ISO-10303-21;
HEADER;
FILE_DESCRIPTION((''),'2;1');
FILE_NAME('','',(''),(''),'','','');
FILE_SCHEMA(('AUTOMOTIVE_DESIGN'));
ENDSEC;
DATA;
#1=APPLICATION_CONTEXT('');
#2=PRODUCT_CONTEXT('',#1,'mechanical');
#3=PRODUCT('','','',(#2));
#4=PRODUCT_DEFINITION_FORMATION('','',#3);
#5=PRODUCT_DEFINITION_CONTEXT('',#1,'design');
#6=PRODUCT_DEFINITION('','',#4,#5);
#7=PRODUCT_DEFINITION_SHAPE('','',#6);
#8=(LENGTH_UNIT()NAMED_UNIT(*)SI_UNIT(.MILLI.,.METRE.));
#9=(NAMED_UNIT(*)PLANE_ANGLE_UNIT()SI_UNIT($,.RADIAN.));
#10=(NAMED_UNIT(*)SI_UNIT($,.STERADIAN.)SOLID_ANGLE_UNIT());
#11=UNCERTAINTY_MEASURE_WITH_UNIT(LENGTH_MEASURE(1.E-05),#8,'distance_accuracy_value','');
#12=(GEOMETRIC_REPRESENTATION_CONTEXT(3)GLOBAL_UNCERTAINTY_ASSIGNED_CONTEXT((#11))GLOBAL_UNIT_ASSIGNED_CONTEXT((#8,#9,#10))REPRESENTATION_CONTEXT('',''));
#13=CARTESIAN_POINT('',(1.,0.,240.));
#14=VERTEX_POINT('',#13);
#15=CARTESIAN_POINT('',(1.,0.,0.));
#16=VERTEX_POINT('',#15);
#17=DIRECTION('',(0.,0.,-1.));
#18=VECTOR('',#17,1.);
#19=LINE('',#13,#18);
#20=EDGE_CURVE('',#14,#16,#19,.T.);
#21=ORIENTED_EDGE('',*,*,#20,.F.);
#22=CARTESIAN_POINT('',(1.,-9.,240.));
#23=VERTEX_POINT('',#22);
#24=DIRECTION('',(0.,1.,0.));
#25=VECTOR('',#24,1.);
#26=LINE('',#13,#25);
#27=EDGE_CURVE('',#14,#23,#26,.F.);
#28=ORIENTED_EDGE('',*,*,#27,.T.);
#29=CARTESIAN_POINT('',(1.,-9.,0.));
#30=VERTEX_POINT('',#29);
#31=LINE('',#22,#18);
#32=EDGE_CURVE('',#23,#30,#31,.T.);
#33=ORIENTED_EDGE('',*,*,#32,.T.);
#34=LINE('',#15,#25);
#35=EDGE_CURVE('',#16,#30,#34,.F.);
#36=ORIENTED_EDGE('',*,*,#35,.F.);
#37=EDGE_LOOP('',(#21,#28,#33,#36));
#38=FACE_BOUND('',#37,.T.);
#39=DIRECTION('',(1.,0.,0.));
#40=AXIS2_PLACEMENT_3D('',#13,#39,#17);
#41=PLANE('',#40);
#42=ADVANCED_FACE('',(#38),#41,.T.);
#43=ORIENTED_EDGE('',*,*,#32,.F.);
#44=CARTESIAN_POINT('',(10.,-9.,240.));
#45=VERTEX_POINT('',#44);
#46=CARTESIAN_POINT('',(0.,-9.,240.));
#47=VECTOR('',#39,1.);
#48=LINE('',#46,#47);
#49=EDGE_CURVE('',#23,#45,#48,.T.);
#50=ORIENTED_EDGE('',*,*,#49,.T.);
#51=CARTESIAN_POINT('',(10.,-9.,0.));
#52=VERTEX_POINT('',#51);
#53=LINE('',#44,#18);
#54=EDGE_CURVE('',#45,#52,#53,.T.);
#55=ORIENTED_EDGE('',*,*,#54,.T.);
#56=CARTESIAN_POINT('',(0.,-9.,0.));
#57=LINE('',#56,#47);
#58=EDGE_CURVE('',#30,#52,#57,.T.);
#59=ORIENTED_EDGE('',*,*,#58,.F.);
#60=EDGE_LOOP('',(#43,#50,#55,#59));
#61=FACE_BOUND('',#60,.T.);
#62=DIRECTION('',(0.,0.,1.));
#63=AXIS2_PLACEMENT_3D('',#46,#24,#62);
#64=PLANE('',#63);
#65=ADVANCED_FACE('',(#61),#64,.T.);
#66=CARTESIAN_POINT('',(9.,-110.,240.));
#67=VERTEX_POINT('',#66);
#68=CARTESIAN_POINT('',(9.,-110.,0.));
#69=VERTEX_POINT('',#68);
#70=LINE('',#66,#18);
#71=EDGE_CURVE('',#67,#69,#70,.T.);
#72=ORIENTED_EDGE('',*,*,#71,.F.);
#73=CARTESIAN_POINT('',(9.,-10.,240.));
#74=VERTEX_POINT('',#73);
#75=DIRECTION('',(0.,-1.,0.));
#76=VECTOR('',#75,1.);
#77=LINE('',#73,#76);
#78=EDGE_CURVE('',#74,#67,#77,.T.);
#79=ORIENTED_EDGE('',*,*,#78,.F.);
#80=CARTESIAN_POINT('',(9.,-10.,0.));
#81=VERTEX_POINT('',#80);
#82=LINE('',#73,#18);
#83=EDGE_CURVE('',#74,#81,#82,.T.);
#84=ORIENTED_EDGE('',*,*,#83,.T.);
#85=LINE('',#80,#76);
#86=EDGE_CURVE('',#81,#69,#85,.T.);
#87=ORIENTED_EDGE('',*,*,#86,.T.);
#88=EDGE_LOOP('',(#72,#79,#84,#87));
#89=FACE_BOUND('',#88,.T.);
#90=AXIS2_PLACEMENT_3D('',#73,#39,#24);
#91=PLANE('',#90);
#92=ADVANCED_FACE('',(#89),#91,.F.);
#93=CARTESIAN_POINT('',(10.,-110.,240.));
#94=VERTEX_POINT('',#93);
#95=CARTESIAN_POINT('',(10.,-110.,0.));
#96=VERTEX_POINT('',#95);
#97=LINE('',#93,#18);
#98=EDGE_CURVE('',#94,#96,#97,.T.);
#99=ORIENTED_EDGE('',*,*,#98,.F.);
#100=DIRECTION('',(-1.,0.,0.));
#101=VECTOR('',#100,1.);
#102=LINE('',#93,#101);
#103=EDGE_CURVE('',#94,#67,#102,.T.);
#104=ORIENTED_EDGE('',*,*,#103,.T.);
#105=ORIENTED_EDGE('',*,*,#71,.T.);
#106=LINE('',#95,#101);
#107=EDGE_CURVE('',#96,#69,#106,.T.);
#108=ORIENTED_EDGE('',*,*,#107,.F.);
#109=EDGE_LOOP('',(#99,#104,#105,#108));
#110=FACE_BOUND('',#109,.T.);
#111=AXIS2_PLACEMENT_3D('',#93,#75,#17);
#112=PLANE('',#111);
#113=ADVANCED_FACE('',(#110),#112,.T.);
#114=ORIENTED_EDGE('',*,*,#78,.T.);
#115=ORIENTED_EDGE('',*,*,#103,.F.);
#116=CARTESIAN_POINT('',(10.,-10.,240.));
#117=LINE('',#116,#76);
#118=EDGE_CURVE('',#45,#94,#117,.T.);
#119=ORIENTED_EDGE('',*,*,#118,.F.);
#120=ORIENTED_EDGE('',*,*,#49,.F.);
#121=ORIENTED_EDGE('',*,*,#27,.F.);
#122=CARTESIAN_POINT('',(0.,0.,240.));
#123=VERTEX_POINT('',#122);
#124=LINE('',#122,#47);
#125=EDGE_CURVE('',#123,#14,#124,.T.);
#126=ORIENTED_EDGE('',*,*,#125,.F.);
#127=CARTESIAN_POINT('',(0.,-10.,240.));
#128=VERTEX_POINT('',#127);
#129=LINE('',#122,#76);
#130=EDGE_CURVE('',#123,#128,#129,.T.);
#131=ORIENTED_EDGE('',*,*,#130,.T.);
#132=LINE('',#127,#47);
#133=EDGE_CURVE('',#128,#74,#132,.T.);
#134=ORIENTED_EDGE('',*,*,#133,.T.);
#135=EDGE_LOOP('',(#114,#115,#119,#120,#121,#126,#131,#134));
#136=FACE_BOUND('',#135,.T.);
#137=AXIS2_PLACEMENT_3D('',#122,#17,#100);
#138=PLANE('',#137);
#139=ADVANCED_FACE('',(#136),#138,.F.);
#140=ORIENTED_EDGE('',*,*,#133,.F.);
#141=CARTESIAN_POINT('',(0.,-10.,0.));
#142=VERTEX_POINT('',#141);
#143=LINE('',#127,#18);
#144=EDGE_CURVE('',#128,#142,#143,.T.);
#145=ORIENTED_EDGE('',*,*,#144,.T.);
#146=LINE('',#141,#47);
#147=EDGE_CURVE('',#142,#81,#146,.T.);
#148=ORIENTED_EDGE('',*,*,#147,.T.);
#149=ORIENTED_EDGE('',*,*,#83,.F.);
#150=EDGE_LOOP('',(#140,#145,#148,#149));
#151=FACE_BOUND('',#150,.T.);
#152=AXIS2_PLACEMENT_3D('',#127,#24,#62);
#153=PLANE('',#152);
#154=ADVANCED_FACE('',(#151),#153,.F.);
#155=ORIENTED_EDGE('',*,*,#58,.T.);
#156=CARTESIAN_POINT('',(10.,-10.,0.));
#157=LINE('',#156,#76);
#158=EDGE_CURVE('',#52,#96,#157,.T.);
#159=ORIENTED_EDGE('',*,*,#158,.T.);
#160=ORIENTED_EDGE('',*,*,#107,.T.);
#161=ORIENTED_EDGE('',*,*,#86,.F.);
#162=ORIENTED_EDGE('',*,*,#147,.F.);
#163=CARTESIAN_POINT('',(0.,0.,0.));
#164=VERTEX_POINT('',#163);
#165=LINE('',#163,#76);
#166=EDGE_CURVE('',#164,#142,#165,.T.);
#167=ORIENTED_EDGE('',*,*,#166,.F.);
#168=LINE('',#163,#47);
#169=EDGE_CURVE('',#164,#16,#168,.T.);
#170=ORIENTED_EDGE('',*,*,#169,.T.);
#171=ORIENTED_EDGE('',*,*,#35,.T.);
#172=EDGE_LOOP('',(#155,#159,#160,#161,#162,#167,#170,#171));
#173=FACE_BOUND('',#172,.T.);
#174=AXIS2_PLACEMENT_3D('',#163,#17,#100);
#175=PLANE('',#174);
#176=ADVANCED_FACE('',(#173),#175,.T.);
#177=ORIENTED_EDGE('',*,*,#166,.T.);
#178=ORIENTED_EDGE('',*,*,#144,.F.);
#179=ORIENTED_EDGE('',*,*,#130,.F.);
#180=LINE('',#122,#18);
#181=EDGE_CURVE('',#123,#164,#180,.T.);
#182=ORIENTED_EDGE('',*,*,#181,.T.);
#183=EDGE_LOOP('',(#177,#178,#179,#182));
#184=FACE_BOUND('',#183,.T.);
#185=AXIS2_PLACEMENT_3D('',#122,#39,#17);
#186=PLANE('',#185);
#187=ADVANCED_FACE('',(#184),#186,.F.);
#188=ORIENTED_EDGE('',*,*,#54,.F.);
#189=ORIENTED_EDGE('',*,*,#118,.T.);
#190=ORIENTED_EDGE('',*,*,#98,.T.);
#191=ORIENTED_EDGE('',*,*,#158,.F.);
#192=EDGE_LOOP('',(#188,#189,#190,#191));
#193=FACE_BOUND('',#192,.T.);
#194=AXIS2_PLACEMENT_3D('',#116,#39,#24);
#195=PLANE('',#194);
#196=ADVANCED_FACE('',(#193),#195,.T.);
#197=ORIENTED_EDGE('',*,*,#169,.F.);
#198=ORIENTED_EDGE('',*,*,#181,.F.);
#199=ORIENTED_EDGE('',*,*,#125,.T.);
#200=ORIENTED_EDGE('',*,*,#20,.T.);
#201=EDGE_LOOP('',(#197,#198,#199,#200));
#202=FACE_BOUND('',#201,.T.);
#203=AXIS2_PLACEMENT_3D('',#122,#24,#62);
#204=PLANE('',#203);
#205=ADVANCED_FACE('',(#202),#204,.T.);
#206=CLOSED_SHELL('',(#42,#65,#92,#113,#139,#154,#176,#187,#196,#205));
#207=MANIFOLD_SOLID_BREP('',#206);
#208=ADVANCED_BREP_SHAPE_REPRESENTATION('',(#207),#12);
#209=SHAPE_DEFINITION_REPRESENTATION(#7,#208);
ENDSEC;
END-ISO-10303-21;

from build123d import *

# Parameters (mm, degrees)
EXTRUIR_L_MINA1_DEPTH = 240


with BuildPart() as part:
    # Croquis1 → Extruir-Lámina1 (new body)
    with BuildSketch(Plane.XY):
        Polygon((0, 0), (0, -10), (9, -10), (9, -110), (10, -110), (10, -9), (1, -9), (1, 0), align=None)
    extrude(amount=EXTRUIR_L_MINA1_DEPTH)


solid = part.part
